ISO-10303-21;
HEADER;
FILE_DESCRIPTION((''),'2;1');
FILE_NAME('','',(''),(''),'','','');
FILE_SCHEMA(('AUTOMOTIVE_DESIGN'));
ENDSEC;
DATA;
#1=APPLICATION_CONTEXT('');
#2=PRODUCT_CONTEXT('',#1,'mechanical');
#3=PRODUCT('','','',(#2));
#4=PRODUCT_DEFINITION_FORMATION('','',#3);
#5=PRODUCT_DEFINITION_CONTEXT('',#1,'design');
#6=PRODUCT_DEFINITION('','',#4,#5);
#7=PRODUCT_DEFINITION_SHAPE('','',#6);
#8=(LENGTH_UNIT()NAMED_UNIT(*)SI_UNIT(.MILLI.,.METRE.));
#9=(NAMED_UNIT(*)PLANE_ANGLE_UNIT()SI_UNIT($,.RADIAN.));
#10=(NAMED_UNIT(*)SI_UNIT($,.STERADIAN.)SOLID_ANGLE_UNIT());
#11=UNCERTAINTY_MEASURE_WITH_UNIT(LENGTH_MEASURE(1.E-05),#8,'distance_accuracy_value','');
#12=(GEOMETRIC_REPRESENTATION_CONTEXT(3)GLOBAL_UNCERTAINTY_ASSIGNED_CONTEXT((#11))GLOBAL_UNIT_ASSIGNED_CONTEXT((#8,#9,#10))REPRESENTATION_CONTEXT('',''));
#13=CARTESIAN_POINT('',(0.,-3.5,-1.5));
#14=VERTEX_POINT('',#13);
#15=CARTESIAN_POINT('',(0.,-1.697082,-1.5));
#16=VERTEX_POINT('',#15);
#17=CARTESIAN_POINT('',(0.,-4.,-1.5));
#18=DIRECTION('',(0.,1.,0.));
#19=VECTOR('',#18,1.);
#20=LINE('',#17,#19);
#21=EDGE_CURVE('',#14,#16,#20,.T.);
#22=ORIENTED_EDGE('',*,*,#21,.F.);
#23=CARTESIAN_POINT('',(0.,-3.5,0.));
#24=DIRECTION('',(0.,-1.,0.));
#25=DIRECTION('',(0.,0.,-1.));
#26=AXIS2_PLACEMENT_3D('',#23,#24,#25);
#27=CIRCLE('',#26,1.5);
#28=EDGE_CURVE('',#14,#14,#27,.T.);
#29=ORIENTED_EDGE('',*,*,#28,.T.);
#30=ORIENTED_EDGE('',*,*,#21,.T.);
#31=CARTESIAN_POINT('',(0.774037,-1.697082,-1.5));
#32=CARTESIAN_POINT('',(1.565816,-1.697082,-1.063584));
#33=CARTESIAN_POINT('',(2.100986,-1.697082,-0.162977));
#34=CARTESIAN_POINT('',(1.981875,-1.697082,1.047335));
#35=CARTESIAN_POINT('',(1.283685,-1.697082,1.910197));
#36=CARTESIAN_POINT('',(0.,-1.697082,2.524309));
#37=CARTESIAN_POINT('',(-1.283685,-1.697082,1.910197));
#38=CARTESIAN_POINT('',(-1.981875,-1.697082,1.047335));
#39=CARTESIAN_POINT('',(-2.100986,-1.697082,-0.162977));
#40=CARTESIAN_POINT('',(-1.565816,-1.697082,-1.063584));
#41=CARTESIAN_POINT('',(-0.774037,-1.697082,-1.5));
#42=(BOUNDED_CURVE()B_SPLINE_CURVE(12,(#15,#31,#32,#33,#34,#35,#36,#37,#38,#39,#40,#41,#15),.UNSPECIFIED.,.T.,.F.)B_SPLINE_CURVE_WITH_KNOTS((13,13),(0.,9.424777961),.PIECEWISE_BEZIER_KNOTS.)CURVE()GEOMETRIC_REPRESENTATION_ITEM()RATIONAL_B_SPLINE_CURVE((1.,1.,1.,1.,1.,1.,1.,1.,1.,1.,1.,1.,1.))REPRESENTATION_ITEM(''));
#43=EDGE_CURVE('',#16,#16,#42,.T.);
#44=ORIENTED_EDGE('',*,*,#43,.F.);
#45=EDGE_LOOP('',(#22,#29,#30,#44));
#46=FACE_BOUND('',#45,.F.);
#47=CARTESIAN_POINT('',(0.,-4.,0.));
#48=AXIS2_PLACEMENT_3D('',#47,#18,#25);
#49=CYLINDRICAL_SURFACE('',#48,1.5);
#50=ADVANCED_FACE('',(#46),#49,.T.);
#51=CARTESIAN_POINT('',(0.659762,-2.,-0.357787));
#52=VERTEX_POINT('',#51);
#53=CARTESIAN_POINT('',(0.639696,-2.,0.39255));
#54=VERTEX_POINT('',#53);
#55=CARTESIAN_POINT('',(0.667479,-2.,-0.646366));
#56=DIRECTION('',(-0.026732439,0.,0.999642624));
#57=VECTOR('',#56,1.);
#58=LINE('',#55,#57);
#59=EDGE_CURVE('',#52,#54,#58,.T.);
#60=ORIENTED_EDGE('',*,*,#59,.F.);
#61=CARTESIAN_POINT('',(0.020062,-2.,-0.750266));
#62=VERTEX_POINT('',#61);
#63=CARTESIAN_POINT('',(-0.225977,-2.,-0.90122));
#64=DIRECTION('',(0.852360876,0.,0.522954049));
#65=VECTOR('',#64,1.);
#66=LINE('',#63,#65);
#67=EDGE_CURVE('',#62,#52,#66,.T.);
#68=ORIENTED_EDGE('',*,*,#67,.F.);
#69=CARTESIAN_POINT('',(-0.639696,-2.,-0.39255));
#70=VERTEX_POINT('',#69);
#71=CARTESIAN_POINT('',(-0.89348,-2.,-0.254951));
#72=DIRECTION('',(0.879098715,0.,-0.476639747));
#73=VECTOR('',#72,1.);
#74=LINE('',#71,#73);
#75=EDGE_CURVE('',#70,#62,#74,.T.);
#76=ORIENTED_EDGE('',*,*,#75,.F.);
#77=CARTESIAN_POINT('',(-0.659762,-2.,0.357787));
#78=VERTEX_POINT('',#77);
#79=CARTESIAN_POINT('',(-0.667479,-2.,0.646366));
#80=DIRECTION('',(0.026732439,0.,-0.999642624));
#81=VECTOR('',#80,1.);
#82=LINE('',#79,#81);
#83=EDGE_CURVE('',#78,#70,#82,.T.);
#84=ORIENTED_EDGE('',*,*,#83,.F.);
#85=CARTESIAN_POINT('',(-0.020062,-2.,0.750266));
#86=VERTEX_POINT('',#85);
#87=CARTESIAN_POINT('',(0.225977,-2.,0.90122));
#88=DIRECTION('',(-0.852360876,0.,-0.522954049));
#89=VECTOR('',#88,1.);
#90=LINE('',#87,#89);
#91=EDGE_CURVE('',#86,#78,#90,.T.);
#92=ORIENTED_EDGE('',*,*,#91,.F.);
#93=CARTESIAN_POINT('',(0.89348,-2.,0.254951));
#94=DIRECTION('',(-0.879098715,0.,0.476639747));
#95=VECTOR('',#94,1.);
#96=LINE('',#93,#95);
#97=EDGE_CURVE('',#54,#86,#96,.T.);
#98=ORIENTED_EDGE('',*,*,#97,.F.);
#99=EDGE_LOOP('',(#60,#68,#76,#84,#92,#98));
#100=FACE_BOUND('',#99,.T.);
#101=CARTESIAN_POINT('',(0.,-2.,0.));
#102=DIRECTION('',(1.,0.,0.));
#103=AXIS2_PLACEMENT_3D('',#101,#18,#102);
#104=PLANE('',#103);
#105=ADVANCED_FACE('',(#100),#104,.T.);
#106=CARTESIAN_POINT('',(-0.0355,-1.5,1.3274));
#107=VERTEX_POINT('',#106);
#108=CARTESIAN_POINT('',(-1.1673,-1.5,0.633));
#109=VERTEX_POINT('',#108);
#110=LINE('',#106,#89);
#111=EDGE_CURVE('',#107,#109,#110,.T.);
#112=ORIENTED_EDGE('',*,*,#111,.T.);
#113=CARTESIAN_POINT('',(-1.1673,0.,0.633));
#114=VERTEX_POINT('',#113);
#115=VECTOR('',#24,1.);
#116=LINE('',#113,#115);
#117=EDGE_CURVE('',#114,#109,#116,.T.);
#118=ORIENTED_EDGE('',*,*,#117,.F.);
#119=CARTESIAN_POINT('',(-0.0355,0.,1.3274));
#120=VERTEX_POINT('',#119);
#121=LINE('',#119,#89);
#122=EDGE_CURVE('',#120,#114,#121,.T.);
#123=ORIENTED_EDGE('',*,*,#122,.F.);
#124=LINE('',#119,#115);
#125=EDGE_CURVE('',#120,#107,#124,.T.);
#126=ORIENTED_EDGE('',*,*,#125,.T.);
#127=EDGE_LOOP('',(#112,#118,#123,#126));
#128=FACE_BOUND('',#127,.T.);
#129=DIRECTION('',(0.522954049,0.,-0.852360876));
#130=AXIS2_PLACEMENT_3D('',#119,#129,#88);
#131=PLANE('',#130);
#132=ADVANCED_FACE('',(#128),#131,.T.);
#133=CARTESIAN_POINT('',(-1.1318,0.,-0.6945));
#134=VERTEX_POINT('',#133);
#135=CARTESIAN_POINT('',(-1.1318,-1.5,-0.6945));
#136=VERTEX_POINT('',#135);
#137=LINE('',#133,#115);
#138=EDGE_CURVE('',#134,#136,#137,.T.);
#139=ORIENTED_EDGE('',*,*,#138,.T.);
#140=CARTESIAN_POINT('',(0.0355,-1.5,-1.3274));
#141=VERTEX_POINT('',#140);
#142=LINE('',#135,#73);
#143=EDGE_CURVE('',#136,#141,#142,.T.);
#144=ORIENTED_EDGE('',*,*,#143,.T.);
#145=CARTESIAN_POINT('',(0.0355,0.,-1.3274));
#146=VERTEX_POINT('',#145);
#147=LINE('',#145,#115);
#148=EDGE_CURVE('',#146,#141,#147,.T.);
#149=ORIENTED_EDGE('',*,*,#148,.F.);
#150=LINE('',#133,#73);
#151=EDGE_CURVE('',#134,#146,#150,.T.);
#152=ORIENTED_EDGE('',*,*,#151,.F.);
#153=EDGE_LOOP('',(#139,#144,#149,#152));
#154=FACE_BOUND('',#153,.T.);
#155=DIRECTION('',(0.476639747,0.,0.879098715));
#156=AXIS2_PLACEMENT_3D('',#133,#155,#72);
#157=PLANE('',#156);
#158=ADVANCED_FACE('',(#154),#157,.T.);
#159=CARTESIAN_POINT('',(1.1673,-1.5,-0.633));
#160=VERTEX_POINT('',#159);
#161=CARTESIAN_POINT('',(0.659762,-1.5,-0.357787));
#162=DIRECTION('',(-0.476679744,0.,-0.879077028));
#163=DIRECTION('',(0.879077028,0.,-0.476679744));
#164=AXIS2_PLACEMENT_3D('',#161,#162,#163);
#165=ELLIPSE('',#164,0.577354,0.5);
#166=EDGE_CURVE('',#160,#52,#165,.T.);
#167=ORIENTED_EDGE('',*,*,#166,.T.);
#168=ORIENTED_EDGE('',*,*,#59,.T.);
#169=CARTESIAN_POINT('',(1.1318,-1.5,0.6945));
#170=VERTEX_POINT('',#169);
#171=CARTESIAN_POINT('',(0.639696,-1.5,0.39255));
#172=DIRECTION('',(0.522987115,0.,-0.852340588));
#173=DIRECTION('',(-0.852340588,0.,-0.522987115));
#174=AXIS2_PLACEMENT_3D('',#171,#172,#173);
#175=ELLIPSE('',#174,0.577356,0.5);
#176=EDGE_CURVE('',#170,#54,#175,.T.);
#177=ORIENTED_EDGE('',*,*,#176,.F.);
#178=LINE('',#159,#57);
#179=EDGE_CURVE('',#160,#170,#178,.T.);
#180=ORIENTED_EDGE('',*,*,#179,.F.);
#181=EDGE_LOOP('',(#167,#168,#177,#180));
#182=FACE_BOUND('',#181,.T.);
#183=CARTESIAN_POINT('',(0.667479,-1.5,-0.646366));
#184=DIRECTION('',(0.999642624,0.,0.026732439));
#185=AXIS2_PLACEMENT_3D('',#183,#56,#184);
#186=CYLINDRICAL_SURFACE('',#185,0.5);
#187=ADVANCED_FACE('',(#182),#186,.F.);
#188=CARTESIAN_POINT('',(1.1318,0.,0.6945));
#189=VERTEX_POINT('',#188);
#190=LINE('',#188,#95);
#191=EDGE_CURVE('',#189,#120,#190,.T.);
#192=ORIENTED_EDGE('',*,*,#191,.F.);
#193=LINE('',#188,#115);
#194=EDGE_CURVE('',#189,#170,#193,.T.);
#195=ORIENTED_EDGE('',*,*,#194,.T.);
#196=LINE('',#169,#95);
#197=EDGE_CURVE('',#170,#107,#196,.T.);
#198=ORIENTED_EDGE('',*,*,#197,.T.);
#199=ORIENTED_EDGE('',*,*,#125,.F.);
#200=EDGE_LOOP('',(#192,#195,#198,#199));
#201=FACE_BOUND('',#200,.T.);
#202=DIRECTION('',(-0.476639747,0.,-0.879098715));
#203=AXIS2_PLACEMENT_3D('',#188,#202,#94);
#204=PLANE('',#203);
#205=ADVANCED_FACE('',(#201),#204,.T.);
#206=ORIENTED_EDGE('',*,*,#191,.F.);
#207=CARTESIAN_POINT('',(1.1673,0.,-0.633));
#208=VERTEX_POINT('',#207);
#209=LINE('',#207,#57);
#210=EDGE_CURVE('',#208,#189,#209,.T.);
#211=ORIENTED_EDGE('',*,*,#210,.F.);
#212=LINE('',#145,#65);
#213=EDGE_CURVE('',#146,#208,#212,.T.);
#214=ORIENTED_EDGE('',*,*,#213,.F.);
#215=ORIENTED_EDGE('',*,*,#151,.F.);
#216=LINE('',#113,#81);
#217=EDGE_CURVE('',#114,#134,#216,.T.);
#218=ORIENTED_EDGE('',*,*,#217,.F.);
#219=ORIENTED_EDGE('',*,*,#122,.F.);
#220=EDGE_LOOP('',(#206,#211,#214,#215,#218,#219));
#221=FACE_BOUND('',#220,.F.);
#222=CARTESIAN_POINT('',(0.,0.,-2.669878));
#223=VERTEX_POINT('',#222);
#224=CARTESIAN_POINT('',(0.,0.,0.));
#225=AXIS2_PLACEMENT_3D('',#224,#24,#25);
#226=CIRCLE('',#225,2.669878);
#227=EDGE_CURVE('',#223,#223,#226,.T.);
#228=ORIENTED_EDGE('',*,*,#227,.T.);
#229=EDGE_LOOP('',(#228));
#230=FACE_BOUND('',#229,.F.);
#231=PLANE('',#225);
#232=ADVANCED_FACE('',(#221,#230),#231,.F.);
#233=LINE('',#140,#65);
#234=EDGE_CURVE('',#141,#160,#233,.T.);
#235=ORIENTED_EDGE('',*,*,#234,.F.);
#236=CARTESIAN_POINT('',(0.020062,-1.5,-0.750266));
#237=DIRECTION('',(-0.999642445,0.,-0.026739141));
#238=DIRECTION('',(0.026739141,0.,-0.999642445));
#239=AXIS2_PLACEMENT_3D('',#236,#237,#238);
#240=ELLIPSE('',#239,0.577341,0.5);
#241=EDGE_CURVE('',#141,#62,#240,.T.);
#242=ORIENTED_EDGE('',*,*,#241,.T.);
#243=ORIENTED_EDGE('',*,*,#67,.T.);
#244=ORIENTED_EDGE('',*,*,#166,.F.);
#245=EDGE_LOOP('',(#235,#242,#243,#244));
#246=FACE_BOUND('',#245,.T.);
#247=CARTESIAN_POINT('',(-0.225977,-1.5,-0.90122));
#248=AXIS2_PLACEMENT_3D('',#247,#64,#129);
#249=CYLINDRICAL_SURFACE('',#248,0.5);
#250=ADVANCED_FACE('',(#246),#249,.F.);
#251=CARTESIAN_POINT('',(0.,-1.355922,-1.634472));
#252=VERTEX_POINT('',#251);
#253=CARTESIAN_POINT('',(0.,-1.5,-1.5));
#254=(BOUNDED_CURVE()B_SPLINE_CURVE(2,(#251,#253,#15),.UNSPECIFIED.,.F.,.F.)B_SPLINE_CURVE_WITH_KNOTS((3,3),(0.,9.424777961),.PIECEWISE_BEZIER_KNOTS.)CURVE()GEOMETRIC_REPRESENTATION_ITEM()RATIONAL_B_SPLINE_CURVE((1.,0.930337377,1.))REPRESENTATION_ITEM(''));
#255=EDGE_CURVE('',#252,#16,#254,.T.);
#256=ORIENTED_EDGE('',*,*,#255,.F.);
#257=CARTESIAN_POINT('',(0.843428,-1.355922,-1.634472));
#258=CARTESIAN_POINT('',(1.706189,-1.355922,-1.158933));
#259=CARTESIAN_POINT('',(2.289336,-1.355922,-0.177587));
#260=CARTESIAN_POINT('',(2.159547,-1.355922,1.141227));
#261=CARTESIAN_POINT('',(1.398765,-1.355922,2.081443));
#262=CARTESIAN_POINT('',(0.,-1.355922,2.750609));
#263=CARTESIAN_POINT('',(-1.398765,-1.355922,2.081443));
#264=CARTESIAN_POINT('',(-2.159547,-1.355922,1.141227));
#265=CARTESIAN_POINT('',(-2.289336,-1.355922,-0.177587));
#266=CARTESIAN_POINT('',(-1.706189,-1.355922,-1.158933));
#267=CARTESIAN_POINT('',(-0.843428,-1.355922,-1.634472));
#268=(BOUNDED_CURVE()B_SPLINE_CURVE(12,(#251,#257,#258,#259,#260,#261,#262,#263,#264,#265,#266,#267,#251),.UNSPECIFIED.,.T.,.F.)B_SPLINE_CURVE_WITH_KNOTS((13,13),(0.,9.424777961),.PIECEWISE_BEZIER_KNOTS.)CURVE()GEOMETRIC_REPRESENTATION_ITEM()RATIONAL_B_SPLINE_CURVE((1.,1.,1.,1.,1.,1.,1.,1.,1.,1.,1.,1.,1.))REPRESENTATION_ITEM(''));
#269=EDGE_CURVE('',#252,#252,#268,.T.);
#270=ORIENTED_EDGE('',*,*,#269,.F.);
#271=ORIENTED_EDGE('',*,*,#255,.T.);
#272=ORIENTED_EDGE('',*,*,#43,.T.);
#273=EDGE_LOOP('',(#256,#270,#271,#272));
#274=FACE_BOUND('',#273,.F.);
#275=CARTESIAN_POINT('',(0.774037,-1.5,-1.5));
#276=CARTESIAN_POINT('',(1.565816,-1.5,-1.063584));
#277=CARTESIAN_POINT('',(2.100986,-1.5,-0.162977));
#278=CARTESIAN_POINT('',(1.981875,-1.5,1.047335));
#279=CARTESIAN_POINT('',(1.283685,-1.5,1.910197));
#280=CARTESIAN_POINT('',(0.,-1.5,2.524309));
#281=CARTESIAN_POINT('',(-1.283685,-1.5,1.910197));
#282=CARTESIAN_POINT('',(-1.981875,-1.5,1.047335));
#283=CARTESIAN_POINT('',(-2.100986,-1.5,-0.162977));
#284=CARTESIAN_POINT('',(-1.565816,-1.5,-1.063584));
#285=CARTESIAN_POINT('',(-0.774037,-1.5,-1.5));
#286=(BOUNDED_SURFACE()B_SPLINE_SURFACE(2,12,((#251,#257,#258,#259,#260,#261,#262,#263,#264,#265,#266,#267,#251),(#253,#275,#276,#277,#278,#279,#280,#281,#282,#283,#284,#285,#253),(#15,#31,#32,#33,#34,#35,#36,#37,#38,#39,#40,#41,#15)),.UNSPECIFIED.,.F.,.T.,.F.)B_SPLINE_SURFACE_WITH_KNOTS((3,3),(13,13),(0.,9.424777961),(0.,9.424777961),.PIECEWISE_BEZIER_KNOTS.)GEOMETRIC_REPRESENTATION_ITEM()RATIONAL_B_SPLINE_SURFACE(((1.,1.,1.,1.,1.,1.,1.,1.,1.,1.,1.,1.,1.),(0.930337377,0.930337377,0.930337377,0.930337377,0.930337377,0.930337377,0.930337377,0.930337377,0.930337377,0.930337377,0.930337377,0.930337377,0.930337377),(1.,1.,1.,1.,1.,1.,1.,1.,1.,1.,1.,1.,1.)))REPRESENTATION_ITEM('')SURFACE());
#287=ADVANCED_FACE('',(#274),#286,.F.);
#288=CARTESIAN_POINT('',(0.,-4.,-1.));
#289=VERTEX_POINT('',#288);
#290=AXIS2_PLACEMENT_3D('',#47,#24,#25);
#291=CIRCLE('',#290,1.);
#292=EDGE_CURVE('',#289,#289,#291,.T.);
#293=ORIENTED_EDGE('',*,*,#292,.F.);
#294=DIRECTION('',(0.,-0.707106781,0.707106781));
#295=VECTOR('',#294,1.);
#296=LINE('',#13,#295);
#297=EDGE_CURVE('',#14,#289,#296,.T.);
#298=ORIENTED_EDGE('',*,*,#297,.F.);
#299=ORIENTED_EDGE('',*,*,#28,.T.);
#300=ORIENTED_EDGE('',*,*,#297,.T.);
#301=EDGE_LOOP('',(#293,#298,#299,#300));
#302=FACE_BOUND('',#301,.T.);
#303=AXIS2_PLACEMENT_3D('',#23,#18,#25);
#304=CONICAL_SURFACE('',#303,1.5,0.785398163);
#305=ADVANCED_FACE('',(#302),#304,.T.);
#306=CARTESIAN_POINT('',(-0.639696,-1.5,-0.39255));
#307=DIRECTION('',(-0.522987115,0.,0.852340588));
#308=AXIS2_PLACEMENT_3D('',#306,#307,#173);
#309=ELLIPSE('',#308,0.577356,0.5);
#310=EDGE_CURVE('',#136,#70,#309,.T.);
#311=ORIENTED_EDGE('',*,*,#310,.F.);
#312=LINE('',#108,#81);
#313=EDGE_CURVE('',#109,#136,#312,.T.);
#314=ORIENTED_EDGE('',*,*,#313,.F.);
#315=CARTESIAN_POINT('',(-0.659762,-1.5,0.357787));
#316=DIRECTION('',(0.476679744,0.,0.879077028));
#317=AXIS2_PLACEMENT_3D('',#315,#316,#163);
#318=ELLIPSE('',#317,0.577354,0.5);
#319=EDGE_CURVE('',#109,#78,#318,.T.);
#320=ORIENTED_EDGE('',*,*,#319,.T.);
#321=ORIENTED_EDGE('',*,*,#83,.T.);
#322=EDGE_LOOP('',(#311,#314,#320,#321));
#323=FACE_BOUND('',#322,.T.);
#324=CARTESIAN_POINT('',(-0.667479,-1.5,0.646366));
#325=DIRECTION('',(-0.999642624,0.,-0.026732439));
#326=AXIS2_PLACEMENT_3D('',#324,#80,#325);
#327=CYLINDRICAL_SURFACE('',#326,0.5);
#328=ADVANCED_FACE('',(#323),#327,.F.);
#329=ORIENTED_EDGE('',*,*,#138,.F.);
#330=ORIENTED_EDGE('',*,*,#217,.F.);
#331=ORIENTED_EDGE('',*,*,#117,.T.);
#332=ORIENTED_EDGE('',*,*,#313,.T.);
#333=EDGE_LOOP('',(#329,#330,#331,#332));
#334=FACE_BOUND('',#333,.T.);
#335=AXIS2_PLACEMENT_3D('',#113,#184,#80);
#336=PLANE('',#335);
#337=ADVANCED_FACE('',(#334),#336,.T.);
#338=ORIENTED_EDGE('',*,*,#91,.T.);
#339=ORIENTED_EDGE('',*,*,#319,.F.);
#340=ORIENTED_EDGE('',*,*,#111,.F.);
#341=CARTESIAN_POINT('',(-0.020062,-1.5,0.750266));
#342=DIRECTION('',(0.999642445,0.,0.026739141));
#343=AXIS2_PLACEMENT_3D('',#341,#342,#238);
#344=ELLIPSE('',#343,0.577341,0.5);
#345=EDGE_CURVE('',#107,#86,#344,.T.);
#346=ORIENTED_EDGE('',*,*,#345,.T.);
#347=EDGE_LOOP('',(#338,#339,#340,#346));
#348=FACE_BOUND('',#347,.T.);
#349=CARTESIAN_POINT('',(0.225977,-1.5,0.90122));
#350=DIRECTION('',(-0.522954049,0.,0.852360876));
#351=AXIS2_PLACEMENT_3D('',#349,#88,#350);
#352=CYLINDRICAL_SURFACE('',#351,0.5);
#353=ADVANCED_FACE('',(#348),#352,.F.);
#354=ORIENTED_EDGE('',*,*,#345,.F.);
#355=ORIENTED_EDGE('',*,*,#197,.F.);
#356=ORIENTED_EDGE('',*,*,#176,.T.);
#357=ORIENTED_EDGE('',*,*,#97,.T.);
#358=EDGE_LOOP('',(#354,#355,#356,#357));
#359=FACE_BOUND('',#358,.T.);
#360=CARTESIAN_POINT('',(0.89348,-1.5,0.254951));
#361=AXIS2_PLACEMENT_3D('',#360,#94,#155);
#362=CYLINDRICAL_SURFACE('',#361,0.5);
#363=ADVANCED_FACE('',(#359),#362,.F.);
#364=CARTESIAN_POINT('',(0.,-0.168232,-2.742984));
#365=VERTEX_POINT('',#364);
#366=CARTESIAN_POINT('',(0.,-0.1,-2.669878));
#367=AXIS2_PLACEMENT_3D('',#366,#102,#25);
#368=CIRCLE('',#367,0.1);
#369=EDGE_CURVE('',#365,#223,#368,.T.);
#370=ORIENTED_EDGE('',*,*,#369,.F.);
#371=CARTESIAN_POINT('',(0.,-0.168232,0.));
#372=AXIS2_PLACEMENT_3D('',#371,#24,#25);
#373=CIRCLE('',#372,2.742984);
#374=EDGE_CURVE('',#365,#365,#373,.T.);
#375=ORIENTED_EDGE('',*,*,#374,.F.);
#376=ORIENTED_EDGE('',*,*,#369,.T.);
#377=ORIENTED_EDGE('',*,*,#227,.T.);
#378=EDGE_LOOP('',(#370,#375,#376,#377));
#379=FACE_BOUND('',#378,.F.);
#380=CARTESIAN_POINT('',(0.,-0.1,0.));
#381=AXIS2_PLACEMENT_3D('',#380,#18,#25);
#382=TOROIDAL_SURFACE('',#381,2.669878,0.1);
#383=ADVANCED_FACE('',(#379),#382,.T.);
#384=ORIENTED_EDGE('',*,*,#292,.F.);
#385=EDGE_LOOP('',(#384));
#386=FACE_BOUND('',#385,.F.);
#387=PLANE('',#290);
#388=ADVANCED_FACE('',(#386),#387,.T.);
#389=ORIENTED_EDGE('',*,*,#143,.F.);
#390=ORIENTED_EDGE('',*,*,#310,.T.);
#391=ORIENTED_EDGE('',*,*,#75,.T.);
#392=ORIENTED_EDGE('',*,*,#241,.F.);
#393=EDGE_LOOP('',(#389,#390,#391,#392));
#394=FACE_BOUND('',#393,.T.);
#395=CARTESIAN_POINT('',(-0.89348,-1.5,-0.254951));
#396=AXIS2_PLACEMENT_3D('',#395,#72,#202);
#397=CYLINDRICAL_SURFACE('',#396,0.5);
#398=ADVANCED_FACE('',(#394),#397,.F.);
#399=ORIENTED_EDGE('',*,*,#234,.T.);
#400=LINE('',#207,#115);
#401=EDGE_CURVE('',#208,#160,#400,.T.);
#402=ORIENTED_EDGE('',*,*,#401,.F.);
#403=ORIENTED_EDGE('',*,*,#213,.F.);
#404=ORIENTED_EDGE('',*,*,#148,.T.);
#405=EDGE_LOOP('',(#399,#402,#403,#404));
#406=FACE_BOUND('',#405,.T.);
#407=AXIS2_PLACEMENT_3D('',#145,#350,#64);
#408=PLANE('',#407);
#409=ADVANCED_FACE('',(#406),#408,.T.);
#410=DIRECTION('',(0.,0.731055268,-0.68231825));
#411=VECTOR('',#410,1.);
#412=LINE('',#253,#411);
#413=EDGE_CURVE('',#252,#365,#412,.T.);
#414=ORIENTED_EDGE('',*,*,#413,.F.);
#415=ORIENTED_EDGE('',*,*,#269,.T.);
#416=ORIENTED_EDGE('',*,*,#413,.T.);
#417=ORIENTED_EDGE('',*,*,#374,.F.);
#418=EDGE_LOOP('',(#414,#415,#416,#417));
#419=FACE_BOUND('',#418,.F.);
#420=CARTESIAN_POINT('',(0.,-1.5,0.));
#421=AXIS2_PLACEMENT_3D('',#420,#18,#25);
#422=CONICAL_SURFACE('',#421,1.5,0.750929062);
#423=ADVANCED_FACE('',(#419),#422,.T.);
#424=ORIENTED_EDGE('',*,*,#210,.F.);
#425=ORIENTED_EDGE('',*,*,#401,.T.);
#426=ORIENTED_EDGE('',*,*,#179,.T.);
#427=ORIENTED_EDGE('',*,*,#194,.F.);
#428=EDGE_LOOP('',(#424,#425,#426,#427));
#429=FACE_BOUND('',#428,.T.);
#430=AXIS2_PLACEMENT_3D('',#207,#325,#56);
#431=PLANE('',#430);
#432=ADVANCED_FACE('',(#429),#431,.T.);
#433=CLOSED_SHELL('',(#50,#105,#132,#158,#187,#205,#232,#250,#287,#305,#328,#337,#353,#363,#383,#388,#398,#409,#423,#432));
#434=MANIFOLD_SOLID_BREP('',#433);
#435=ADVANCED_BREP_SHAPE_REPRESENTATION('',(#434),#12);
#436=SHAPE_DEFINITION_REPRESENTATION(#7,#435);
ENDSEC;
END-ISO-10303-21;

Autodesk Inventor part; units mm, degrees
ref_plane "YZ Plane" through (0, 0, 0) normal (1, 0, 0) x (0, 1, 0)
ref_plane "XZ Plane" through (0, 0, 0) normal (0, 1, 0) x (-1, 0, 0)
ref_plane "XY Plane" through (0, 0, 0) normal (0, 0, 1) x (1, 0, 0)
sketch "Szkic2" plane through (0, 0, 0) normal (1, 0, 0) x (0, 1, 0)
  line L0 (0, -2.9) -> (0, 2.9)
  line L1 (-1.5, -1.5) -> (-1.5, 1.5)
  line L2 (-1.5, -1.5) -> (0, -2.9)
  line L3 (-1.5, 1.5) -> (0, 2.9)
  line L4 (0, 0) -> (-4, 0)
  line L5 (-4, 0) -> (-4, -1.5)
  line L6 (-4, -1.5) -> (-1.5, -1.5)
  dimension "d0" = 5.8
  dimension "d2" = 3
  dimension "d3" = 1.5
  dimension "d4" = 4
  dimension "d5" = 1.5
revolve "Obrót1" add sketch "Szkic2" angle 360 about axis through (0, 0, 0) along (0, -1, 0) contours L2 L1 L4 L0 | L6 L5 L4 L1
sketch "Szkic3" plane through (0, 0, 0) normal (0, 1, 0) x (1, 0, 0)
  line L0 (-1.1673, -0.633) -> (-1.1318, 0.6945)
  line L1 (-1.1318, 0.6945) -> (0.0355, 1.3274)
  line L2 (0.0355, 1.3274) -> (1.1673, 0.633)
  line L3 (1.1673, 0.633) -> (1.1318, -0.6945)
  line L4 (1.1318, -0.6945) -> (-0.0355, -1.3274)
  line L5 (-0.0355, -1.3274) -> (-1.1673, -0.633)
  point P0 (0, 0)
  point P1 (0, 0)
  dimension "d7" = 2.3
extrude "Wyciągnięcie proste1" cut sketch "Szkic3" against normal blind 2
fillet "Zaokrąglenie1" radius 0.5 6 edges at (-1.1496, -2, -0.0308) (-0.6014, -2, 0.9802) (-0.5482, -2, -1.011) (0.6014, -2, -0.9802) (0.5482, -2, 1.011) (1.1496, -2, 0.0308)
fillet "Zaokrąglenie2" radius 0.5 1 edges at (0, -1.5, 1.5)
fillet "Zaokrąglenie3" radius 0.1 1 edges at (0, 0, 2.9)
thread "Gwint1" size "M3x0.5" class "6g" standard "ANSI Metric M Profile" full length
chamfer "Faza1" distance 0.5 angle 45 1 edges at (0, -4, 1.5)
properties part number "Screw M3 4mm flat head"
